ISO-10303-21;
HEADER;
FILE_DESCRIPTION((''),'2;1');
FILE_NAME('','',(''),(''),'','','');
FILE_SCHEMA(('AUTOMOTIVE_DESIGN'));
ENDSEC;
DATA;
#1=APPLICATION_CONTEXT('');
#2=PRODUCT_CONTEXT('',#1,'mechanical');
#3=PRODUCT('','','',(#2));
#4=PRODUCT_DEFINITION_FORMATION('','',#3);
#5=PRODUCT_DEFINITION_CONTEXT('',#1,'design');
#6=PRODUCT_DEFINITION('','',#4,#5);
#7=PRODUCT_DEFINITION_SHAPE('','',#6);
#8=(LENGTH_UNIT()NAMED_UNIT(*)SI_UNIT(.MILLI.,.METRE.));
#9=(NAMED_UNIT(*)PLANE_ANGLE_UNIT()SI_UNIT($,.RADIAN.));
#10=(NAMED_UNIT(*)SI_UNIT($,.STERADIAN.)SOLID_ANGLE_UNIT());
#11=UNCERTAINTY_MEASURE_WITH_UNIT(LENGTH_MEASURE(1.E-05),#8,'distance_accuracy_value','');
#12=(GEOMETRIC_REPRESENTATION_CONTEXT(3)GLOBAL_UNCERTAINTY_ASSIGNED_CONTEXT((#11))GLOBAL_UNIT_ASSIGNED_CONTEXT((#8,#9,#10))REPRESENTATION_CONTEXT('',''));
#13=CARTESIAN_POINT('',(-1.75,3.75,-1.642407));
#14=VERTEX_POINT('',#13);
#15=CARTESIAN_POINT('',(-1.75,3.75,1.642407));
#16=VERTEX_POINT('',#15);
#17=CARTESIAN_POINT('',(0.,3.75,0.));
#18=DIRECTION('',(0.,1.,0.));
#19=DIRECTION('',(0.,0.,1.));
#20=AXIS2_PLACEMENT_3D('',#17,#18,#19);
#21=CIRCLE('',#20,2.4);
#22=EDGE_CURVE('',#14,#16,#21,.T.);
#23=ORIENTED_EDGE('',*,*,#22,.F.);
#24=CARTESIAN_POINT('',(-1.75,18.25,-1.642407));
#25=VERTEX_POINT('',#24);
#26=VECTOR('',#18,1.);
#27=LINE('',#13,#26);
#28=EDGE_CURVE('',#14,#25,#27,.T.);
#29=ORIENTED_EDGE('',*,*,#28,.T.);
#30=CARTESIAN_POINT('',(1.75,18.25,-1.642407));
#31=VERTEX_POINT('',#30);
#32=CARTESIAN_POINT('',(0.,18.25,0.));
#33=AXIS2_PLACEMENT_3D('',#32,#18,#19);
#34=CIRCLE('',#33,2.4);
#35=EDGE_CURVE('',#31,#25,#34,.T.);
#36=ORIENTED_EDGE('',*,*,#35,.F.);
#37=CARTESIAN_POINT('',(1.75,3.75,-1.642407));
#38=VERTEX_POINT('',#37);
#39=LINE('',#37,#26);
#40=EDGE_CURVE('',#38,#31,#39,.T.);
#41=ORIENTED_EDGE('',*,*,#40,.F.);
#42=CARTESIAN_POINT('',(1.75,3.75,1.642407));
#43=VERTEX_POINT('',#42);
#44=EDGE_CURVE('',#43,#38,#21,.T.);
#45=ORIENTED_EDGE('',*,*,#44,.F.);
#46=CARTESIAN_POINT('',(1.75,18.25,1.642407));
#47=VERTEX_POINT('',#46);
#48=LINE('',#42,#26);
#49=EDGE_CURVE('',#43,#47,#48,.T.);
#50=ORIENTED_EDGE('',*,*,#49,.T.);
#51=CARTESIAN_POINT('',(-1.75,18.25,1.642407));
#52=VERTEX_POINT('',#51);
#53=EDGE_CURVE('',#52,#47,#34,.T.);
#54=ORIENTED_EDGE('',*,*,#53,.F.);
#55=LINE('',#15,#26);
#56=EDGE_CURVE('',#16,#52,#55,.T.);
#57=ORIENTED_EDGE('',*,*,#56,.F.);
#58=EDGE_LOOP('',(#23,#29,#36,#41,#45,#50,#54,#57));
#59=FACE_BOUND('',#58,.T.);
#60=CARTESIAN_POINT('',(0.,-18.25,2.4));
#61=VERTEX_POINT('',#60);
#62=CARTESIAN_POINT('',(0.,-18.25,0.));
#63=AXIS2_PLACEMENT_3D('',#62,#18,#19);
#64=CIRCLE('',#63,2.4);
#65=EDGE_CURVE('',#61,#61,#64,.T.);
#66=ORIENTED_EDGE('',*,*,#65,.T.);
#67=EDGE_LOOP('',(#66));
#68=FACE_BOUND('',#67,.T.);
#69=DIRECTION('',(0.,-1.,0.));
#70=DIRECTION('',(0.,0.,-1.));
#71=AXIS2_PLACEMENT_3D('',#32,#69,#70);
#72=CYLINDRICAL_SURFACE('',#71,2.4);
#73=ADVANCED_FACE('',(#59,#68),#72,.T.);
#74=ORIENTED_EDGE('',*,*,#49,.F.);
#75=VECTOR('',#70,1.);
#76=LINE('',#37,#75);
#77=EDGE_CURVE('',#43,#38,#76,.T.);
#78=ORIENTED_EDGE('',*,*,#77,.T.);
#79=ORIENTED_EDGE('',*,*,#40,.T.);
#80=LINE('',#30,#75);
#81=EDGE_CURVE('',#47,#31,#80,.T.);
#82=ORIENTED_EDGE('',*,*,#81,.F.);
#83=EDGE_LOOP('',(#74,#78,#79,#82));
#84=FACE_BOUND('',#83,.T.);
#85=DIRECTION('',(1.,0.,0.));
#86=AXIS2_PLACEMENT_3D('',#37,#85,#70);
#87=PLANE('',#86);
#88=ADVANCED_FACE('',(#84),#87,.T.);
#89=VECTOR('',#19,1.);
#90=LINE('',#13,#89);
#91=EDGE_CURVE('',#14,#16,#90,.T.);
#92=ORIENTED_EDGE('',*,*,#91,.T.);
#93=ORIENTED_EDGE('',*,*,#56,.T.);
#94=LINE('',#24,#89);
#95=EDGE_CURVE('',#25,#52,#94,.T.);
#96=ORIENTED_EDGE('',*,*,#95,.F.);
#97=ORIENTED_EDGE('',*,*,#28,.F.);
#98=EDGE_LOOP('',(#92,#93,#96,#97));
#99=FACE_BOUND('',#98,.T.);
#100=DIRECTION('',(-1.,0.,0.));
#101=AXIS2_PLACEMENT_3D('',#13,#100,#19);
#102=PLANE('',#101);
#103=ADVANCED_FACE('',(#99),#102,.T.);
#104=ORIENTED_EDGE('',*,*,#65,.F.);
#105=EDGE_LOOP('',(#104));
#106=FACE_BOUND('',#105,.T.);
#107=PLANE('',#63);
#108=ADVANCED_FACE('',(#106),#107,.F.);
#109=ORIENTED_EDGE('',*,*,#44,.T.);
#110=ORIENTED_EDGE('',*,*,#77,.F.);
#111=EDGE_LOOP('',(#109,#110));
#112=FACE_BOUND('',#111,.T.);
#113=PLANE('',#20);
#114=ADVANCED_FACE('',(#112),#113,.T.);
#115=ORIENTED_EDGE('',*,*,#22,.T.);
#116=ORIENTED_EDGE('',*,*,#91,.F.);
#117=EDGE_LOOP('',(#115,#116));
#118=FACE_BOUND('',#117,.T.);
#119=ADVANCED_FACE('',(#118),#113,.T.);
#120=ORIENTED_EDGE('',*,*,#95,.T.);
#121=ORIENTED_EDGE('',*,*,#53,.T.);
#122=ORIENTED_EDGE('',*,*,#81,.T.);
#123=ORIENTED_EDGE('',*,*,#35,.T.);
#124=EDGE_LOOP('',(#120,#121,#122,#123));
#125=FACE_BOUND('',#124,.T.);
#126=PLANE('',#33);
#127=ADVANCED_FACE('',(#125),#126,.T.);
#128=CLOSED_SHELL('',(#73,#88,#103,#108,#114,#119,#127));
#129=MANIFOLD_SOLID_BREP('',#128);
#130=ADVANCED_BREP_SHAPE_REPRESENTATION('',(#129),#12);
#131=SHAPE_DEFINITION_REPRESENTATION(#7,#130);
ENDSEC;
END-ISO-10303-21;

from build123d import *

# Parameters (mm, degrees)
CROQUIS2_R                   = 2.4
SALIENTE_EXTRUIR1_DEPTH      = 18.25
CORTAR_EXTRUIR_L_MINA1_DEPTH = 14.5


with BuildPart() as part:
    # Croquis2 → Saliente-Extruir1 (new, symmetric)
    with BuildSketch(Plane(origin=(0, 0, 0), x_dir=(1, 0, 0), z_dir=(0, 1, 0))):
        with Locations(Location((0, 0, 0), (0, 0, 270))):
            Circle(CROQUIS2_R)
    extrude(amount=SALIENTE_EXTRUIR1_DEPTH, both=True)

    # Croquis3 → Cortar-Extruir-Lámina1 (cut)
    with BuildSketch(Plane(origin=(0, 18.25, 0), x_dir=(1, 0, 0), z_dir=(0, 1, 0))):
        with BuildLine():
            Line((-11.75, 3.962007067), (-11.75, -3.962007067))
            ThreePointArc((-11.75, -3.962007067), (0, -12.4), (11.75, -3.962007067))
            Line((11.75, -3.962007067), (11.75, 3.962007067))
            ThreePointArc((11.75, 3.962007067), (0, 12.4), (-11.75, 3.962007067))
        make_face()
        with BuildLine():
            Line((-1.75, 1.642406771), (-1.75, -1.642406771))
            ThreePointArc((-1.75, -1.642406771), (0, -2.4), (1.75, -1.642406771))
            Line((1.75, -1.642406771), (1.75, 1.642406771))
            ThreePointArc((1.75, 1.642406771), (0, 2.4), (-1.75, 1.642406771))
        make_face(mode=Mode.SUBTRACT)
    extrude(amount=-CORTAR_EXTRUIR_L_MINA1_DEPTH, mode=Mode.SUBTRACT)


solid = part.part
